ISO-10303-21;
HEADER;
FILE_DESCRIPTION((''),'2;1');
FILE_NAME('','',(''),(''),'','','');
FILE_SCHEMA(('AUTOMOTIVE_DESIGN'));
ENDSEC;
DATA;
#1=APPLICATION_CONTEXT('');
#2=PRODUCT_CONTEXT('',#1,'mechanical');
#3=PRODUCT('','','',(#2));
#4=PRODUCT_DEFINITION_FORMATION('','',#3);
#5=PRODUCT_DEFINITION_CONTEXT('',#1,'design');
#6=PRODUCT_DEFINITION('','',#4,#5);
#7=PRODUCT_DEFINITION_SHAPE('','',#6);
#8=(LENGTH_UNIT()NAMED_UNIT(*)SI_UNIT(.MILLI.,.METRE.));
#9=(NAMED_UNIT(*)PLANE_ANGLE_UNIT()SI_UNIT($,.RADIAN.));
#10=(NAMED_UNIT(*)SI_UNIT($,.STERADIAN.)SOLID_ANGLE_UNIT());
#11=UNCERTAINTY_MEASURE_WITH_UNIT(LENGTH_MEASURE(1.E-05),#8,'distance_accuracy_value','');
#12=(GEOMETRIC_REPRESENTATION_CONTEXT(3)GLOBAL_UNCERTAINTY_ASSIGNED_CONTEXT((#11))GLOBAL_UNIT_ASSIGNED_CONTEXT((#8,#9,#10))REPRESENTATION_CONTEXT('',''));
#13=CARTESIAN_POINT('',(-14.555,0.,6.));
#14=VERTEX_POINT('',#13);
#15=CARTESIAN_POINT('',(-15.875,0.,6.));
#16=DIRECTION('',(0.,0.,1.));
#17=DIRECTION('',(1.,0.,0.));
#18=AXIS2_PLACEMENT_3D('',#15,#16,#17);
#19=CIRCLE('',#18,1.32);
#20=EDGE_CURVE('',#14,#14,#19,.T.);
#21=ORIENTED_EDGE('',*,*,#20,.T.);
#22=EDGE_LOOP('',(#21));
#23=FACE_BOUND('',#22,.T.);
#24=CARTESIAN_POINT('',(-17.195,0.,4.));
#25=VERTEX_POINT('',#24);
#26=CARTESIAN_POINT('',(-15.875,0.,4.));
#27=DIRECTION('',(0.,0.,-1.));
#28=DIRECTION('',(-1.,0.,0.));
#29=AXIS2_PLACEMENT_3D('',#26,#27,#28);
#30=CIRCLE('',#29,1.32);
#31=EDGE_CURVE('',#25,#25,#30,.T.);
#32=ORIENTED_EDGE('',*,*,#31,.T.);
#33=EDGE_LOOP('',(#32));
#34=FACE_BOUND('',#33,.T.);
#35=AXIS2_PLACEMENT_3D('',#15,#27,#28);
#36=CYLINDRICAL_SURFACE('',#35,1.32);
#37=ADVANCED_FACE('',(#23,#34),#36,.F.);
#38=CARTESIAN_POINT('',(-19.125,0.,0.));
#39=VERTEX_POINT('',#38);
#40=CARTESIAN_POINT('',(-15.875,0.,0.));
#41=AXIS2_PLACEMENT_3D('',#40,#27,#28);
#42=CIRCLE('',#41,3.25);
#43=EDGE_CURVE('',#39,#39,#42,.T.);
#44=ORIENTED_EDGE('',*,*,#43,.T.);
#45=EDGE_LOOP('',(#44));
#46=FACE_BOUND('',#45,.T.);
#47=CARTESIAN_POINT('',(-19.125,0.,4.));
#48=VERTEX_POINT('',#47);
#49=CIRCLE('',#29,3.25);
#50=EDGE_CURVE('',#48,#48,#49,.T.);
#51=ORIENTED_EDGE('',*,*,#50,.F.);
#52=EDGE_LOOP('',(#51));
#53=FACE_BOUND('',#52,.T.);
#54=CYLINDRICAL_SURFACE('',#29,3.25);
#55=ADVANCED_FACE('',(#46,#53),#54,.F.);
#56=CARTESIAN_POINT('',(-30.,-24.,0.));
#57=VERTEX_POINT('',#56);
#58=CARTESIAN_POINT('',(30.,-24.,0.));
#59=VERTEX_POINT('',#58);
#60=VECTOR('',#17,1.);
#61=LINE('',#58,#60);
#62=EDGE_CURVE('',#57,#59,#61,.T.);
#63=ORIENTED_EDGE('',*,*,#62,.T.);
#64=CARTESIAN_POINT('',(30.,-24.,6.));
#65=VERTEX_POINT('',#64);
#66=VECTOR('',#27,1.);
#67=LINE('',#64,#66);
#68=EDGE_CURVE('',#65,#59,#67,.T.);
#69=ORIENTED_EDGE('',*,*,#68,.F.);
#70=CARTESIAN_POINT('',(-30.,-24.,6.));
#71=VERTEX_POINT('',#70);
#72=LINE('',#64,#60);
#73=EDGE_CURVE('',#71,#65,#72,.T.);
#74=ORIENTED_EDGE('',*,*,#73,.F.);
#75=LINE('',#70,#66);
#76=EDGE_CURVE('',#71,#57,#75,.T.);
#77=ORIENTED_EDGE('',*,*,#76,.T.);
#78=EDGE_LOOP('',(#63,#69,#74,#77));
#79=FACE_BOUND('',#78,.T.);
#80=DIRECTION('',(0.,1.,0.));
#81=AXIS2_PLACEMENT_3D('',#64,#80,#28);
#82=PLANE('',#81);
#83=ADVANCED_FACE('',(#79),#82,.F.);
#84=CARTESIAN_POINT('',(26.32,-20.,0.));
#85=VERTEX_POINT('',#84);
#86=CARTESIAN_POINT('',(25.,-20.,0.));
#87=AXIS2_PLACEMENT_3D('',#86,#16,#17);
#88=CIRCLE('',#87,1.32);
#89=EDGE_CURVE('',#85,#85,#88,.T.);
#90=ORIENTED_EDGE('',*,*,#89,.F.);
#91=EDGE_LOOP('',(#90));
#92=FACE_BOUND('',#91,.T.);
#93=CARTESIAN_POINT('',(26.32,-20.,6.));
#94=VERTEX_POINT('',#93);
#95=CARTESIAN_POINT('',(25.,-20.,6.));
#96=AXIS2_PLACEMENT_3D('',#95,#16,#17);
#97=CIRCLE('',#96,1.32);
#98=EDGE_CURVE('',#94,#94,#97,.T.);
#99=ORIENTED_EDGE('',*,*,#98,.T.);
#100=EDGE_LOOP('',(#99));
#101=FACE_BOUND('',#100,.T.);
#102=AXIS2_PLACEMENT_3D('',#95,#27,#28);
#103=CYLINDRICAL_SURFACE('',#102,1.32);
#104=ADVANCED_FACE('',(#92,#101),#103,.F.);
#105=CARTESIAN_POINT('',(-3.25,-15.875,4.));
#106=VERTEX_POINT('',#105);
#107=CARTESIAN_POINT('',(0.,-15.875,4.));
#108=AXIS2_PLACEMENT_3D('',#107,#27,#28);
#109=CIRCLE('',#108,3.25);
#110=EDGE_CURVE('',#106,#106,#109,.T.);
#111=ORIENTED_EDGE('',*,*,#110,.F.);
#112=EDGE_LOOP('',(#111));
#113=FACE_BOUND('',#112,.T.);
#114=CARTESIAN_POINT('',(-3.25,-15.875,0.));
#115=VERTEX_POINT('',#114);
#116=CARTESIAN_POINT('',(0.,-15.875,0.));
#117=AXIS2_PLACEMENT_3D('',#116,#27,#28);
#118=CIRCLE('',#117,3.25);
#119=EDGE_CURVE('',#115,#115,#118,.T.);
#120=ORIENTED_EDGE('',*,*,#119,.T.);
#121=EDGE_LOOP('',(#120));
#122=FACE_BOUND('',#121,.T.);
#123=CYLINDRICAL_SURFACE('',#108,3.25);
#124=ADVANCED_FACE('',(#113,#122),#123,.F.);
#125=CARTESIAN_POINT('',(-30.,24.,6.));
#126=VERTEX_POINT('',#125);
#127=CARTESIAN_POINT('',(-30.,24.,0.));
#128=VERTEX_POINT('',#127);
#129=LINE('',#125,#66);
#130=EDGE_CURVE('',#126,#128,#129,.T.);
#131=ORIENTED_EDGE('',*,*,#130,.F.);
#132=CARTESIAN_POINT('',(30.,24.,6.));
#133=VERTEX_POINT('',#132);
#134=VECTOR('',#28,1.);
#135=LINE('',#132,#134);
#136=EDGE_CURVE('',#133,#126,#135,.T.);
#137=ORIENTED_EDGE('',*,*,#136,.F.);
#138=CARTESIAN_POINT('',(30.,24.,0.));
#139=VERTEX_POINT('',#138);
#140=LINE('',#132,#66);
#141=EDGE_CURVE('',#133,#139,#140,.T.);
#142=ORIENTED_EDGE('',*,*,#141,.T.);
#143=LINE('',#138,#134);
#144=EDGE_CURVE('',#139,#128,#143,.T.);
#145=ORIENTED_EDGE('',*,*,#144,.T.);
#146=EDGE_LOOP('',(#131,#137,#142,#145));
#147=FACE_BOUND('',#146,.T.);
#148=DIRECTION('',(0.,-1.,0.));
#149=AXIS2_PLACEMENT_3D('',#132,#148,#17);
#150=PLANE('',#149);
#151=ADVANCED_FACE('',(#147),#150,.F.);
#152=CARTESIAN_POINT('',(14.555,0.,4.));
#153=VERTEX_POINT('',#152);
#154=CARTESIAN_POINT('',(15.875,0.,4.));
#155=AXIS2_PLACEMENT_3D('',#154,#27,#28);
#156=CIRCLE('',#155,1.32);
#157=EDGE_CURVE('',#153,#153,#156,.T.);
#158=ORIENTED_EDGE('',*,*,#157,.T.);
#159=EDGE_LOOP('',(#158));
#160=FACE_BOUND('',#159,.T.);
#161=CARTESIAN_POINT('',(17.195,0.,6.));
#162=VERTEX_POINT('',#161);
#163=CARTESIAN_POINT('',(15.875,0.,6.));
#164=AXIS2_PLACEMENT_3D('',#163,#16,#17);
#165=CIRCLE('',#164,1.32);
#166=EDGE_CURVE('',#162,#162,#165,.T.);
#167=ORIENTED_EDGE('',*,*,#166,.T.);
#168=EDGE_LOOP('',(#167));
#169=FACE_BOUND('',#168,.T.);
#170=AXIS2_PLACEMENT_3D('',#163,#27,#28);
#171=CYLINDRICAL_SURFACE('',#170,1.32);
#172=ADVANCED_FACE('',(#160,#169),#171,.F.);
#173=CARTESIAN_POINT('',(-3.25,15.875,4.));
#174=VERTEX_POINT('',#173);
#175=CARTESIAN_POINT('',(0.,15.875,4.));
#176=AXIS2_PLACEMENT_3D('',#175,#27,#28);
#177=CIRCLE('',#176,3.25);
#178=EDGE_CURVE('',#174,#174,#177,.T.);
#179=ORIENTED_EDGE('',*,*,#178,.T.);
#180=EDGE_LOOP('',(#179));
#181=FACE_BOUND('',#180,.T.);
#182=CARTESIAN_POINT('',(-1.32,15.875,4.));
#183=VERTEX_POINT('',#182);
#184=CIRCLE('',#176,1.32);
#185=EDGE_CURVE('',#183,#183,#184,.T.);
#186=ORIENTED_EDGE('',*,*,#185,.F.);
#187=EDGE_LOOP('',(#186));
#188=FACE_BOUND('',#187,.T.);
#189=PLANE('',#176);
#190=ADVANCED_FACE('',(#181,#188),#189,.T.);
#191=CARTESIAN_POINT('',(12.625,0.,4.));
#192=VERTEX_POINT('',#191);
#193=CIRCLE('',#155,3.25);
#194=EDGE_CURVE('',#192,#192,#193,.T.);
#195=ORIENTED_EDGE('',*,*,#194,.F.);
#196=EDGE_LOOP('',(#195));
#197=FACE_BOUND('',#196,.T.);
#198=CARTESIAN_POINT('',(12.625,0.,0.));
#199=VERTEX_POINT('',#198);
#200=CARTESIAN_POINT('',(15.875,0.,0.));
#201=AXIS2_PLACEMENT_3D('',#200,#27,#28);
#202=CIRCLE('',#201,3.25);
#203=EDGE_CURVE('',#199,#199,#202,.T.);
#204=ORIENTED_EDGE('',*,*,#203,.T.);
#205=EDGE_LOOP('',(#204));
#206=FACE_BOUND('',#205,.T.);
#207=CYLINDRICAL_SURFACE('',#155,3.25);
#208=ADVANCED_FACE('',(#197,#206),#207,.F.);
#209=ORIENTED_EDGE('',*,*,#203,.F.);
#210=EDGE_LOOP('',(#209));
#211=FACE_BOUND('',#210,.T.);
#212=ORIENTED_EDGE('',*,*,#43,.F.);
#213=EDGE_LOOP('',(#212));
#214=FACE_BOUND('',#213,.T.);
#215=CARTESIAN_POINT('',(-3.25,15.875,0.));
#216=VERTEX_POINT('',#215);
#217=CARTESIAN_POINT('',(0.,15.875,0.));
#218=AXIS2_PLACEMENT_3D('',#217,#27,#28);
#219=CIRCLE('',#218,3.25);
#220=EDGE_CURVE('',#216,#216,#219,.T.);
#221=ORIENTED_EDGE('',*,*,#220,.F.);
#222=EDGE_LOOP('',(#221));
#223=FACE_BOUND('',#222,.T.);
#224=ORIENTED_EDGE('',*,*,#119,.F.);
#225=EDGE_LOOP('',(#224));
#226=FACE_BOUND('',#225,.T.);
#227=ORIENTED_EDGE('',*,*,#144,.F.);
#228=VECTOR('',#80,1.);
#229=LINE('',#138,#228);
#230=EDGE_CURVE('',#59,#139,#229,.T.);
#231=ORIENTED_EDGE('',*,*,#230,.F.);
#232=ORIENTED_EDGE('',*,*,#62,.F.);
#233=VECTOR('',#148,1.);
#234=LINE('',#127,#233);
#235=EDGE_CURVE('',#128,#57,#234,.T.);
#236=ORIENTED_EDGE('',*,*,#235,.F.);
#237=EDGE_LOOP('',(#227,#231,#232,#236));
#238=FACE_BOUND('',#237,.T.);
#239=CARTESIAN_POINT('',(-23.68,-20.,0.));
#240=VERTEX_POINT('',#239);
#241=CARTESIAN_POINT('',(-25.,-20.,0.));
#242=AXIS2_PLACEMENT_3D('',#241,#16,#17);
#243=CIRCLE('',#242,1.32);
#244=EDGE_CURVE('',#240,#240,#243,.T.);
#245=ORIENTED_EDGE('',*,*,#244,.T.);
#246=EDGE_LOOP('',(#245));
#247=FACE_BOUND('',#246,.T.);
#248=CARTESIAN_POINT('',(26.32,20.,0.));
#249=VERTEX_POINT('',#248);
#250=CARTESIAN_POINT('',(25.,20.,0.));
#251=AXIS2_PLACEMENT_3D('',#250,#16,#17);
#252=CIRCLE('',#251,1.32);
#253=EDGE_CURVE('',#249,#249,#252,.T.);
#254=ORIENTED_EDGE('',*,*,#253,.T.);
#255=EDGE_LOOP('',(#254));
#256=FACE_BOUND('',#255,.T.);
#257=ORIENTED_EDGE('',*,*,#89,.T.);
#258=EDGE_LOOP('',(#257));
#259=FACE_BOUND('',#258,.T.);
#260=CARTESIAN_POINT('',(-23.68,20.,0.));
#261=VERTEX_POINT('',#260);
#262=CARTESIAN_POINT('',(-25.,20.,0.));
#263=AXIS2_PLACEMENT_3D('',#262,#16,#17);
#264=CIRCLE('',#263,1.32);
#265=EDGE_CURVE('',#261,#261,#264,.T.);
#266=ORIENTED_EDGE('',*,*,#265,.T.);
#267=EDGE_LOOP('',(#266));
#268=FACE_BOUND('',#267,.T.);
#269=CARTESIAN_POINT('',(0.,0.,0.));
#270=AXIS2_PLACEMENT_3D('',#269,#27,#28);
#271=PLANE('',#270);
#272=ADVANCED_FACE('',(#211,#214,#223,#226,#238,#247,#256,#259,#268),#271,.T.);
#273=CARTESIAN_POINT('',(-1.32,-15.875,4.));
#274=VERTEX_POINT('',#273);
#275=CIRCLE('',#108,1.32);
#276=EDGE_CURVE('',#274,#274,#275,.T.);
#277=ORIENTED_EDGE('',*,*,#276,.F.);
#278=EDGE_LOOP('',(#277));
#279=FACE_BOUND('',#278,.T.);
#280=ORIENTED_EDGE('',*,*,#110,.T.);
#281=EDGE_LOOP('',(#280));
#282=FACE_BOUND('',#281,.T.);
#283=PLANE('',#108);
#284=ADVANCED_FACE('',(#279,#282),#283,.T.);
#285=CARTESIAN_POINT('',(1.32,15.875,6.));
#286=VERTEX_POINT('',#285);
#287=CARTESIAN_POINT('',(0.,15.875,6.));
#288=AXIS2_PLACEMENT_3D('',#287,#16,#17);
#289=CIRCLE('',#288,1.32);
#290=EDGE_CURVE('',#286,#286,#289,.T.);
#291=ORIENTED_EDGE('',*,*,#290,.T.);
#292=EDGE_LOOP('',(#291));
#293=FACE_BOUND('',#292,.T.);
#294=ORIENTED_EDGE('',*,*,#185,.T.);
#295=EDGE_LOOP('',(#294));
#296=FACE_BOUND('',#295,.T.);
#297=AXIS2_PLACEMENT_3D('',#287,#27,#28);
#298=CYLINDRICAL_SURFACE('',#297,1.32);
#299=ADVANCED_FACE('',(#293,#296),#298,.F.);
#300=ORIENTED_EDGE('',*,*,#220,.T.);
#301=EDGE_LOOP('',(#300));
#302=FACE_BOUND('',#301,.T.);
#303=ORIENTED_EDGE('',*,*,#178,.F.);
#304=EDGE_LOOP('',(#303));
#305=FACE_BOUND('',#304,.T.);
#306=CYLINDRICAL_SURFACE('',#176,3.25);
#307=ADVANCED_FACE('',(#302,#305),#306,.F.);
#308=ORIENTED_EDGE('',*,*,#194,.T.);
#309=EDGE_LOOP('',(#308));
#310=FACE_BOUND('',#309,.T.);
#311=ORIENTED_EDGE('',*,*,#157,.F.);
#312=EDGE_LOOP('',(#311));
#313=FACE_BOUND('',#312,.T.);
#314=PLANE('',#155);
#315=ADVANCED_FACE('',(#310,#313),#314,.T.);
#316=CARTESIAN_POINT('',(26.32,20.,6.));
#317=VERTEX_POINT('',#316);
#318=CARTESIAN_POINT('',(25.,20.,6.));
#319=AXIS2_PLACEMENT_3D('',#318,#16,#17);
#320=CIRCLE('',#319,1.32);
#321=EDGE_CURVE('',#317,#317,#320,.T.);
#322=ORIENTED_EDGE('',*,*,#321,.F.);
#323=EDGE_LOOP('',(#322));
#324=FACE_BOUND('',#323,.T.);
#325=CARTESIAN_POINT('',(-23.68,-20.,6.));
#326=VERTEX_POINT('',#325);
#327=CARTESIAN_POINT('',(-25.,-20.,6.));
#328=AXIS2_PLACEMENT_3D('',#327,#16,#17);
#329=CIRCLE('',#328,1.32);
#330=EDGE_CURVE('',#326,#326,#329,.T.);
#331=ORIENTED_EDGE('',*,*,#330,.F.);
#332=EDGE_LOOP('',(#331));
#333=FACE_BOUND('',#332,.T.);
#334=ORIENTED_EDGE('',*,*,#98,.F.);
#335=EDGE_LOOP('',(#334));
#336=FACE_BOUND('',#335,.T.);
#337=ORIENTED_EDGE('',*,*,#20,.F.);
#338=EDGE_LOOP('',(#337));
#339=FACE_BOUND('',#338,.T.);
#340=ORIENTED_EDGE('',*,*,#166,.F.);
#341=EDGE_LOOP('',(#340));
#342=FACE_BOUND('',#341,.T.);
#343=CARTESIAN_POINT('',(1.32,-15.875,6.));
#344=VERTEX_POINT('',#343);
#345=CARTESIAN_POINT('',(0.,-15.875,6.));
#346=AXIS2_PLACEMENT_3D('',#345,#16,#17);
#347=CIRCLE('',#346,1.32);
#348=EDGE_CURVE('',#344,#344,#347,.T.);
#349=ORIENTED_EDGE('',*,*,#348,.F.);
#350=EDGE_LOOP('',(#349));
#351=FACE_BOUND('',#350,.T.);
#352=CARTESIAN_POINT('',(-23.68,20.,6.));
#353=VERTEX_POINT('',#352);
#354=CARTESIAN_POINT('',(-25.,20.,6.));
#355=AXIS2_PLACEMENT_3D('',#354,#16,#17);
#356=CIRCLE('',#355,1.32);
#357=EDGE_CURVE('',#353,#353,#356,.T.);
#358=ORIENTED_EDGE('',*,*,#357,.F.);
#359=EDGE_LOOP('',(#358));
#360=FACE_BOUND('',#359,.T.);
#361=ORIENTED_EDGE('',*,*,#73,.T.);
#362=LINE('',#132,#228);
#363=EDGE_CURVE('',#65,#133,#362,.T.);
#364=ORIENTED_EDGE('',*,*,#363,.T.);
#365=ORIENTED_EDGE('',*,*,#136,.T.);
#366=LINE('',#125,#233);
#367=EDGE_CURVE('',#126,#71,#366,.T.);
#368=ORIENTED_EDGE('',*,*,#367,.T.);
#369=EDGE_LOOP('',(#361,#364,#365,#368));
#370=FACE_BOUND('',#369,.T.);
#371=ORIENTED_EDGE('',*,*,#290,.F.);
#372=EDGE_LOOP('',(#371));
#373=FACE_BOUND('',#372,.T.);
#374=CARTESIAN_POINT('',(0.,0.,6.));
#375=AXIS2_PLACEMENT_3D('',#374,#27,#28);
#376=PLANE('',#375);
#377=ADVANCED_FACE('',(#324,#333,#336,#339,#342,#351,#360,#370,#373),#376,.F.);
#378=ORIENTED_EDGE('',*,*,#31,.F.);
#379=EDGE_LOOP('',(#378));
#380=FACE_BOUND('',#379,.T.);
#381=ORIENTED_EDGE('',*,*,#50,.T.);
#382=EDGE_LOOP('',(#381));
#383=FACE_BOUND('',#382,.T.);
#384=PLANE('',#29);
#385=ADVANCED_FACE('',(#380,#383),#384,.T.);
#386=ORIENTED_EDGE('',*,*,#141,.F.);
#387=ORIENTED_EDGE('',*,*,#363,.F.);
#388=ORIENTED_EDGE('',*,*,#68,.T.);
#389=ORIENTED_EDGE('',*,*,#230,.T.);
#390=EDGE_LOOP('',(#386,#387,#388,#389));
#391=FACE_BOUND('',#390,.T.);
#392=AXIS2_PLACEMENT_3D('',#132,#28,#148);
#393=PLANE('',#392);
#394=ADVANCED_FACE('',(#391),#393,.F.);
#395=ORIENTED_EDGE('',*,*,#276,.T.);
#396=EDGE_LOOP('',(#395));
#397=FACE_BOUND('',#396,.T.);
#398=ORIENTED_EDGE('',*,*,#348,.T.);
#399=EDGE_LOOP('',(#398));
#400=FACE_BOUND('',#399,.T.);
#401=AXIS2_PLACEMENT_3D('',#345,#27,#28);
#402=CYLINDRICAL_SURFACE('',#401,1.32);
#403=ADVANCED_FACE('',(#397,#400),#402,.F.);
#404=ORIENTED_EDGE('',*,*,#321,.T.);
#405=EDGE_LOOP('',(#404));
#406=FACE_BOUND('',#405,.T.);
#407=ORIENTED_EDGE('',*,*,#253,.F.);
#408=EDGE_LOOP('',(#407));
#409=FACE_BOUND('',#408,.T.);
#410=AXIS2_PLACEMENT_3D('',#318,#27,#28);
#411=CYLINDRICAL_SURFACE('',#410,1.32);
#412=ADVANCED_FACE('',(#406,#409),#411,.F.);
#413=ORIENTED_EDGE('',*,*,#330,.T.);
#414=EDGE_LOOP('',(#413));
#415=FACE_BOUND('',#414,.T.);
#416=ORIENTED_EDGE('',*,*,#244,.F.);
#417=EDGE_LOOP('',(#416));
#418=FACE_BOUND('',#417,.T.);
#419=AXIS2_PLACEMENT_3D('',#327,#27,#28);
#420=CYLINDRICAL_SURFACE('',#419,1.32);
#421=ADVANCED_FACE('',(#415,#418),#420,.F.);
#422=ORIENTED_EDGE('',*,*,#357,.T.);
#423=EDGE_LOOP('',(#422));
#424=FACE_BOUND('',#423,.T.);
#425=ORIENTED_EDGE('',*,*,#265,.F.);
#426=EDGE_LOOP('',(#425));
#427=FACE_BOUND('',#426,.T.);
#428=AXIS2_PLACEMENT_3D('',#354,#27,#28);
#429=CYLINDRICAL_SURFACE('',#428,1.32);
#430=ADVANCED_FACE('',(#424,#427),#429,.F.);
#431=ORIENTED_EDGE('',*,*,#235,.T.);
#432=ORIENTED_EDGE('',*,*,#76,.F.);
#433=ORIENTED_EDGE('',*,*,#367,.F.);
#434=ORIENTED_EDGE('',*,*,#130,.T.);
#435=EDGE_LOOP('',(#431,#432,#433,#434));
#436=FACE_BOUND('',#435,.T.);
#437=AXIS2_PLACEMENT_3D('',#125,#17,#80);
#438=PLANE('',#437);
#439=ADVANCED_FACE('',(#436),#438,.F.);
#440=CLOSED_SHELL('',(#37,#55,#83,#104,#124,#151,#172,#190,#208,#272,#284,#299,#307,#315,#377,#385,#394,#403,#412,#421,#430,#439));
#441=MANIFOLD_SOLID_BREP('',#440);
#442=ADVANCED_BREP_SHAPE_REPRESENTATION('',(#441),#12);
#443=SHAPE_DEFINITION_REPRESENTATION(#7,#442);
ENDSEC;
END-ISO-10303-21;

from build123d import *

# Parameters (mm, degrees)
SKETCH1_W           = 60
SKETCH1_H           = 48
SKETCH1_R           = 1.32
BOSS_EXTRUDE1_DEPTH = 6
SKETCH2_R           = 3.25
CUT_EXTRUDE1_DEPTH  = 4


with BuildPart() as part:
    # Sketch1 → Boss-Extrude1 (new body)
    with BuildSketch(Plane.XY):
        Rectangle(SKETCH1_W, SKETCH1_H)
        with Locations((0, -15.875)):
            Circle(SKETCH1_R, mode=Mode.SUBTRACT)
        with Locations((-15.875, 0)):
            Circle(SKETCH1_R, mode=Mode.SUBTRACT)
        with Locations((0, 15.875)):
            Circle(SKETCH1_R, mode=Mode.SUBTRACT)
        with Locations((15.875, 0)):
            Circle(SKETCH1_R, mode=Mode.SUBTRACT)
        with Locations((-25, 20)):
            Circle(SKETCH1_R, mode=Mode.SUBTRACT)
        with Locations((25, 20)):
            Circle(SKETCH1_R, mode=Mode.SUBTRACT)
        with Locations((25, -20)):
            Circle(SKETCH1_R, mode=Mode.SUBTRACT)
        with Locations((-25, -20)):
            Circle(SKETCH1_R, mode=Mode.SUBTRACT)
    extrude(amount=BOSS_EXTRUDE1_DEPTH)

    # Sketch2 → Cut-Extrude1 (cut)
    with BuildSketch(Plane(origin=(0, 0, 0), x_dir=(-1, 0, 0), z_dir=(0, 0, -1))):
        with Locations((0, 15.875)):
            Circle(SKETCH2_R)
        with Locations((15.875, 0)):
            Circle(SKETCH2_R)
        with Locations((0, -15.875)):
            Circle(SKETCH2_R)
        with Locations((-15.875, 0)):
            Circle(SKETCH2_R)
    extrude(amount=-CUT_EXTRUDE1_DEPTH, mode=Mode.SUBTRACT)


solid = part.part
